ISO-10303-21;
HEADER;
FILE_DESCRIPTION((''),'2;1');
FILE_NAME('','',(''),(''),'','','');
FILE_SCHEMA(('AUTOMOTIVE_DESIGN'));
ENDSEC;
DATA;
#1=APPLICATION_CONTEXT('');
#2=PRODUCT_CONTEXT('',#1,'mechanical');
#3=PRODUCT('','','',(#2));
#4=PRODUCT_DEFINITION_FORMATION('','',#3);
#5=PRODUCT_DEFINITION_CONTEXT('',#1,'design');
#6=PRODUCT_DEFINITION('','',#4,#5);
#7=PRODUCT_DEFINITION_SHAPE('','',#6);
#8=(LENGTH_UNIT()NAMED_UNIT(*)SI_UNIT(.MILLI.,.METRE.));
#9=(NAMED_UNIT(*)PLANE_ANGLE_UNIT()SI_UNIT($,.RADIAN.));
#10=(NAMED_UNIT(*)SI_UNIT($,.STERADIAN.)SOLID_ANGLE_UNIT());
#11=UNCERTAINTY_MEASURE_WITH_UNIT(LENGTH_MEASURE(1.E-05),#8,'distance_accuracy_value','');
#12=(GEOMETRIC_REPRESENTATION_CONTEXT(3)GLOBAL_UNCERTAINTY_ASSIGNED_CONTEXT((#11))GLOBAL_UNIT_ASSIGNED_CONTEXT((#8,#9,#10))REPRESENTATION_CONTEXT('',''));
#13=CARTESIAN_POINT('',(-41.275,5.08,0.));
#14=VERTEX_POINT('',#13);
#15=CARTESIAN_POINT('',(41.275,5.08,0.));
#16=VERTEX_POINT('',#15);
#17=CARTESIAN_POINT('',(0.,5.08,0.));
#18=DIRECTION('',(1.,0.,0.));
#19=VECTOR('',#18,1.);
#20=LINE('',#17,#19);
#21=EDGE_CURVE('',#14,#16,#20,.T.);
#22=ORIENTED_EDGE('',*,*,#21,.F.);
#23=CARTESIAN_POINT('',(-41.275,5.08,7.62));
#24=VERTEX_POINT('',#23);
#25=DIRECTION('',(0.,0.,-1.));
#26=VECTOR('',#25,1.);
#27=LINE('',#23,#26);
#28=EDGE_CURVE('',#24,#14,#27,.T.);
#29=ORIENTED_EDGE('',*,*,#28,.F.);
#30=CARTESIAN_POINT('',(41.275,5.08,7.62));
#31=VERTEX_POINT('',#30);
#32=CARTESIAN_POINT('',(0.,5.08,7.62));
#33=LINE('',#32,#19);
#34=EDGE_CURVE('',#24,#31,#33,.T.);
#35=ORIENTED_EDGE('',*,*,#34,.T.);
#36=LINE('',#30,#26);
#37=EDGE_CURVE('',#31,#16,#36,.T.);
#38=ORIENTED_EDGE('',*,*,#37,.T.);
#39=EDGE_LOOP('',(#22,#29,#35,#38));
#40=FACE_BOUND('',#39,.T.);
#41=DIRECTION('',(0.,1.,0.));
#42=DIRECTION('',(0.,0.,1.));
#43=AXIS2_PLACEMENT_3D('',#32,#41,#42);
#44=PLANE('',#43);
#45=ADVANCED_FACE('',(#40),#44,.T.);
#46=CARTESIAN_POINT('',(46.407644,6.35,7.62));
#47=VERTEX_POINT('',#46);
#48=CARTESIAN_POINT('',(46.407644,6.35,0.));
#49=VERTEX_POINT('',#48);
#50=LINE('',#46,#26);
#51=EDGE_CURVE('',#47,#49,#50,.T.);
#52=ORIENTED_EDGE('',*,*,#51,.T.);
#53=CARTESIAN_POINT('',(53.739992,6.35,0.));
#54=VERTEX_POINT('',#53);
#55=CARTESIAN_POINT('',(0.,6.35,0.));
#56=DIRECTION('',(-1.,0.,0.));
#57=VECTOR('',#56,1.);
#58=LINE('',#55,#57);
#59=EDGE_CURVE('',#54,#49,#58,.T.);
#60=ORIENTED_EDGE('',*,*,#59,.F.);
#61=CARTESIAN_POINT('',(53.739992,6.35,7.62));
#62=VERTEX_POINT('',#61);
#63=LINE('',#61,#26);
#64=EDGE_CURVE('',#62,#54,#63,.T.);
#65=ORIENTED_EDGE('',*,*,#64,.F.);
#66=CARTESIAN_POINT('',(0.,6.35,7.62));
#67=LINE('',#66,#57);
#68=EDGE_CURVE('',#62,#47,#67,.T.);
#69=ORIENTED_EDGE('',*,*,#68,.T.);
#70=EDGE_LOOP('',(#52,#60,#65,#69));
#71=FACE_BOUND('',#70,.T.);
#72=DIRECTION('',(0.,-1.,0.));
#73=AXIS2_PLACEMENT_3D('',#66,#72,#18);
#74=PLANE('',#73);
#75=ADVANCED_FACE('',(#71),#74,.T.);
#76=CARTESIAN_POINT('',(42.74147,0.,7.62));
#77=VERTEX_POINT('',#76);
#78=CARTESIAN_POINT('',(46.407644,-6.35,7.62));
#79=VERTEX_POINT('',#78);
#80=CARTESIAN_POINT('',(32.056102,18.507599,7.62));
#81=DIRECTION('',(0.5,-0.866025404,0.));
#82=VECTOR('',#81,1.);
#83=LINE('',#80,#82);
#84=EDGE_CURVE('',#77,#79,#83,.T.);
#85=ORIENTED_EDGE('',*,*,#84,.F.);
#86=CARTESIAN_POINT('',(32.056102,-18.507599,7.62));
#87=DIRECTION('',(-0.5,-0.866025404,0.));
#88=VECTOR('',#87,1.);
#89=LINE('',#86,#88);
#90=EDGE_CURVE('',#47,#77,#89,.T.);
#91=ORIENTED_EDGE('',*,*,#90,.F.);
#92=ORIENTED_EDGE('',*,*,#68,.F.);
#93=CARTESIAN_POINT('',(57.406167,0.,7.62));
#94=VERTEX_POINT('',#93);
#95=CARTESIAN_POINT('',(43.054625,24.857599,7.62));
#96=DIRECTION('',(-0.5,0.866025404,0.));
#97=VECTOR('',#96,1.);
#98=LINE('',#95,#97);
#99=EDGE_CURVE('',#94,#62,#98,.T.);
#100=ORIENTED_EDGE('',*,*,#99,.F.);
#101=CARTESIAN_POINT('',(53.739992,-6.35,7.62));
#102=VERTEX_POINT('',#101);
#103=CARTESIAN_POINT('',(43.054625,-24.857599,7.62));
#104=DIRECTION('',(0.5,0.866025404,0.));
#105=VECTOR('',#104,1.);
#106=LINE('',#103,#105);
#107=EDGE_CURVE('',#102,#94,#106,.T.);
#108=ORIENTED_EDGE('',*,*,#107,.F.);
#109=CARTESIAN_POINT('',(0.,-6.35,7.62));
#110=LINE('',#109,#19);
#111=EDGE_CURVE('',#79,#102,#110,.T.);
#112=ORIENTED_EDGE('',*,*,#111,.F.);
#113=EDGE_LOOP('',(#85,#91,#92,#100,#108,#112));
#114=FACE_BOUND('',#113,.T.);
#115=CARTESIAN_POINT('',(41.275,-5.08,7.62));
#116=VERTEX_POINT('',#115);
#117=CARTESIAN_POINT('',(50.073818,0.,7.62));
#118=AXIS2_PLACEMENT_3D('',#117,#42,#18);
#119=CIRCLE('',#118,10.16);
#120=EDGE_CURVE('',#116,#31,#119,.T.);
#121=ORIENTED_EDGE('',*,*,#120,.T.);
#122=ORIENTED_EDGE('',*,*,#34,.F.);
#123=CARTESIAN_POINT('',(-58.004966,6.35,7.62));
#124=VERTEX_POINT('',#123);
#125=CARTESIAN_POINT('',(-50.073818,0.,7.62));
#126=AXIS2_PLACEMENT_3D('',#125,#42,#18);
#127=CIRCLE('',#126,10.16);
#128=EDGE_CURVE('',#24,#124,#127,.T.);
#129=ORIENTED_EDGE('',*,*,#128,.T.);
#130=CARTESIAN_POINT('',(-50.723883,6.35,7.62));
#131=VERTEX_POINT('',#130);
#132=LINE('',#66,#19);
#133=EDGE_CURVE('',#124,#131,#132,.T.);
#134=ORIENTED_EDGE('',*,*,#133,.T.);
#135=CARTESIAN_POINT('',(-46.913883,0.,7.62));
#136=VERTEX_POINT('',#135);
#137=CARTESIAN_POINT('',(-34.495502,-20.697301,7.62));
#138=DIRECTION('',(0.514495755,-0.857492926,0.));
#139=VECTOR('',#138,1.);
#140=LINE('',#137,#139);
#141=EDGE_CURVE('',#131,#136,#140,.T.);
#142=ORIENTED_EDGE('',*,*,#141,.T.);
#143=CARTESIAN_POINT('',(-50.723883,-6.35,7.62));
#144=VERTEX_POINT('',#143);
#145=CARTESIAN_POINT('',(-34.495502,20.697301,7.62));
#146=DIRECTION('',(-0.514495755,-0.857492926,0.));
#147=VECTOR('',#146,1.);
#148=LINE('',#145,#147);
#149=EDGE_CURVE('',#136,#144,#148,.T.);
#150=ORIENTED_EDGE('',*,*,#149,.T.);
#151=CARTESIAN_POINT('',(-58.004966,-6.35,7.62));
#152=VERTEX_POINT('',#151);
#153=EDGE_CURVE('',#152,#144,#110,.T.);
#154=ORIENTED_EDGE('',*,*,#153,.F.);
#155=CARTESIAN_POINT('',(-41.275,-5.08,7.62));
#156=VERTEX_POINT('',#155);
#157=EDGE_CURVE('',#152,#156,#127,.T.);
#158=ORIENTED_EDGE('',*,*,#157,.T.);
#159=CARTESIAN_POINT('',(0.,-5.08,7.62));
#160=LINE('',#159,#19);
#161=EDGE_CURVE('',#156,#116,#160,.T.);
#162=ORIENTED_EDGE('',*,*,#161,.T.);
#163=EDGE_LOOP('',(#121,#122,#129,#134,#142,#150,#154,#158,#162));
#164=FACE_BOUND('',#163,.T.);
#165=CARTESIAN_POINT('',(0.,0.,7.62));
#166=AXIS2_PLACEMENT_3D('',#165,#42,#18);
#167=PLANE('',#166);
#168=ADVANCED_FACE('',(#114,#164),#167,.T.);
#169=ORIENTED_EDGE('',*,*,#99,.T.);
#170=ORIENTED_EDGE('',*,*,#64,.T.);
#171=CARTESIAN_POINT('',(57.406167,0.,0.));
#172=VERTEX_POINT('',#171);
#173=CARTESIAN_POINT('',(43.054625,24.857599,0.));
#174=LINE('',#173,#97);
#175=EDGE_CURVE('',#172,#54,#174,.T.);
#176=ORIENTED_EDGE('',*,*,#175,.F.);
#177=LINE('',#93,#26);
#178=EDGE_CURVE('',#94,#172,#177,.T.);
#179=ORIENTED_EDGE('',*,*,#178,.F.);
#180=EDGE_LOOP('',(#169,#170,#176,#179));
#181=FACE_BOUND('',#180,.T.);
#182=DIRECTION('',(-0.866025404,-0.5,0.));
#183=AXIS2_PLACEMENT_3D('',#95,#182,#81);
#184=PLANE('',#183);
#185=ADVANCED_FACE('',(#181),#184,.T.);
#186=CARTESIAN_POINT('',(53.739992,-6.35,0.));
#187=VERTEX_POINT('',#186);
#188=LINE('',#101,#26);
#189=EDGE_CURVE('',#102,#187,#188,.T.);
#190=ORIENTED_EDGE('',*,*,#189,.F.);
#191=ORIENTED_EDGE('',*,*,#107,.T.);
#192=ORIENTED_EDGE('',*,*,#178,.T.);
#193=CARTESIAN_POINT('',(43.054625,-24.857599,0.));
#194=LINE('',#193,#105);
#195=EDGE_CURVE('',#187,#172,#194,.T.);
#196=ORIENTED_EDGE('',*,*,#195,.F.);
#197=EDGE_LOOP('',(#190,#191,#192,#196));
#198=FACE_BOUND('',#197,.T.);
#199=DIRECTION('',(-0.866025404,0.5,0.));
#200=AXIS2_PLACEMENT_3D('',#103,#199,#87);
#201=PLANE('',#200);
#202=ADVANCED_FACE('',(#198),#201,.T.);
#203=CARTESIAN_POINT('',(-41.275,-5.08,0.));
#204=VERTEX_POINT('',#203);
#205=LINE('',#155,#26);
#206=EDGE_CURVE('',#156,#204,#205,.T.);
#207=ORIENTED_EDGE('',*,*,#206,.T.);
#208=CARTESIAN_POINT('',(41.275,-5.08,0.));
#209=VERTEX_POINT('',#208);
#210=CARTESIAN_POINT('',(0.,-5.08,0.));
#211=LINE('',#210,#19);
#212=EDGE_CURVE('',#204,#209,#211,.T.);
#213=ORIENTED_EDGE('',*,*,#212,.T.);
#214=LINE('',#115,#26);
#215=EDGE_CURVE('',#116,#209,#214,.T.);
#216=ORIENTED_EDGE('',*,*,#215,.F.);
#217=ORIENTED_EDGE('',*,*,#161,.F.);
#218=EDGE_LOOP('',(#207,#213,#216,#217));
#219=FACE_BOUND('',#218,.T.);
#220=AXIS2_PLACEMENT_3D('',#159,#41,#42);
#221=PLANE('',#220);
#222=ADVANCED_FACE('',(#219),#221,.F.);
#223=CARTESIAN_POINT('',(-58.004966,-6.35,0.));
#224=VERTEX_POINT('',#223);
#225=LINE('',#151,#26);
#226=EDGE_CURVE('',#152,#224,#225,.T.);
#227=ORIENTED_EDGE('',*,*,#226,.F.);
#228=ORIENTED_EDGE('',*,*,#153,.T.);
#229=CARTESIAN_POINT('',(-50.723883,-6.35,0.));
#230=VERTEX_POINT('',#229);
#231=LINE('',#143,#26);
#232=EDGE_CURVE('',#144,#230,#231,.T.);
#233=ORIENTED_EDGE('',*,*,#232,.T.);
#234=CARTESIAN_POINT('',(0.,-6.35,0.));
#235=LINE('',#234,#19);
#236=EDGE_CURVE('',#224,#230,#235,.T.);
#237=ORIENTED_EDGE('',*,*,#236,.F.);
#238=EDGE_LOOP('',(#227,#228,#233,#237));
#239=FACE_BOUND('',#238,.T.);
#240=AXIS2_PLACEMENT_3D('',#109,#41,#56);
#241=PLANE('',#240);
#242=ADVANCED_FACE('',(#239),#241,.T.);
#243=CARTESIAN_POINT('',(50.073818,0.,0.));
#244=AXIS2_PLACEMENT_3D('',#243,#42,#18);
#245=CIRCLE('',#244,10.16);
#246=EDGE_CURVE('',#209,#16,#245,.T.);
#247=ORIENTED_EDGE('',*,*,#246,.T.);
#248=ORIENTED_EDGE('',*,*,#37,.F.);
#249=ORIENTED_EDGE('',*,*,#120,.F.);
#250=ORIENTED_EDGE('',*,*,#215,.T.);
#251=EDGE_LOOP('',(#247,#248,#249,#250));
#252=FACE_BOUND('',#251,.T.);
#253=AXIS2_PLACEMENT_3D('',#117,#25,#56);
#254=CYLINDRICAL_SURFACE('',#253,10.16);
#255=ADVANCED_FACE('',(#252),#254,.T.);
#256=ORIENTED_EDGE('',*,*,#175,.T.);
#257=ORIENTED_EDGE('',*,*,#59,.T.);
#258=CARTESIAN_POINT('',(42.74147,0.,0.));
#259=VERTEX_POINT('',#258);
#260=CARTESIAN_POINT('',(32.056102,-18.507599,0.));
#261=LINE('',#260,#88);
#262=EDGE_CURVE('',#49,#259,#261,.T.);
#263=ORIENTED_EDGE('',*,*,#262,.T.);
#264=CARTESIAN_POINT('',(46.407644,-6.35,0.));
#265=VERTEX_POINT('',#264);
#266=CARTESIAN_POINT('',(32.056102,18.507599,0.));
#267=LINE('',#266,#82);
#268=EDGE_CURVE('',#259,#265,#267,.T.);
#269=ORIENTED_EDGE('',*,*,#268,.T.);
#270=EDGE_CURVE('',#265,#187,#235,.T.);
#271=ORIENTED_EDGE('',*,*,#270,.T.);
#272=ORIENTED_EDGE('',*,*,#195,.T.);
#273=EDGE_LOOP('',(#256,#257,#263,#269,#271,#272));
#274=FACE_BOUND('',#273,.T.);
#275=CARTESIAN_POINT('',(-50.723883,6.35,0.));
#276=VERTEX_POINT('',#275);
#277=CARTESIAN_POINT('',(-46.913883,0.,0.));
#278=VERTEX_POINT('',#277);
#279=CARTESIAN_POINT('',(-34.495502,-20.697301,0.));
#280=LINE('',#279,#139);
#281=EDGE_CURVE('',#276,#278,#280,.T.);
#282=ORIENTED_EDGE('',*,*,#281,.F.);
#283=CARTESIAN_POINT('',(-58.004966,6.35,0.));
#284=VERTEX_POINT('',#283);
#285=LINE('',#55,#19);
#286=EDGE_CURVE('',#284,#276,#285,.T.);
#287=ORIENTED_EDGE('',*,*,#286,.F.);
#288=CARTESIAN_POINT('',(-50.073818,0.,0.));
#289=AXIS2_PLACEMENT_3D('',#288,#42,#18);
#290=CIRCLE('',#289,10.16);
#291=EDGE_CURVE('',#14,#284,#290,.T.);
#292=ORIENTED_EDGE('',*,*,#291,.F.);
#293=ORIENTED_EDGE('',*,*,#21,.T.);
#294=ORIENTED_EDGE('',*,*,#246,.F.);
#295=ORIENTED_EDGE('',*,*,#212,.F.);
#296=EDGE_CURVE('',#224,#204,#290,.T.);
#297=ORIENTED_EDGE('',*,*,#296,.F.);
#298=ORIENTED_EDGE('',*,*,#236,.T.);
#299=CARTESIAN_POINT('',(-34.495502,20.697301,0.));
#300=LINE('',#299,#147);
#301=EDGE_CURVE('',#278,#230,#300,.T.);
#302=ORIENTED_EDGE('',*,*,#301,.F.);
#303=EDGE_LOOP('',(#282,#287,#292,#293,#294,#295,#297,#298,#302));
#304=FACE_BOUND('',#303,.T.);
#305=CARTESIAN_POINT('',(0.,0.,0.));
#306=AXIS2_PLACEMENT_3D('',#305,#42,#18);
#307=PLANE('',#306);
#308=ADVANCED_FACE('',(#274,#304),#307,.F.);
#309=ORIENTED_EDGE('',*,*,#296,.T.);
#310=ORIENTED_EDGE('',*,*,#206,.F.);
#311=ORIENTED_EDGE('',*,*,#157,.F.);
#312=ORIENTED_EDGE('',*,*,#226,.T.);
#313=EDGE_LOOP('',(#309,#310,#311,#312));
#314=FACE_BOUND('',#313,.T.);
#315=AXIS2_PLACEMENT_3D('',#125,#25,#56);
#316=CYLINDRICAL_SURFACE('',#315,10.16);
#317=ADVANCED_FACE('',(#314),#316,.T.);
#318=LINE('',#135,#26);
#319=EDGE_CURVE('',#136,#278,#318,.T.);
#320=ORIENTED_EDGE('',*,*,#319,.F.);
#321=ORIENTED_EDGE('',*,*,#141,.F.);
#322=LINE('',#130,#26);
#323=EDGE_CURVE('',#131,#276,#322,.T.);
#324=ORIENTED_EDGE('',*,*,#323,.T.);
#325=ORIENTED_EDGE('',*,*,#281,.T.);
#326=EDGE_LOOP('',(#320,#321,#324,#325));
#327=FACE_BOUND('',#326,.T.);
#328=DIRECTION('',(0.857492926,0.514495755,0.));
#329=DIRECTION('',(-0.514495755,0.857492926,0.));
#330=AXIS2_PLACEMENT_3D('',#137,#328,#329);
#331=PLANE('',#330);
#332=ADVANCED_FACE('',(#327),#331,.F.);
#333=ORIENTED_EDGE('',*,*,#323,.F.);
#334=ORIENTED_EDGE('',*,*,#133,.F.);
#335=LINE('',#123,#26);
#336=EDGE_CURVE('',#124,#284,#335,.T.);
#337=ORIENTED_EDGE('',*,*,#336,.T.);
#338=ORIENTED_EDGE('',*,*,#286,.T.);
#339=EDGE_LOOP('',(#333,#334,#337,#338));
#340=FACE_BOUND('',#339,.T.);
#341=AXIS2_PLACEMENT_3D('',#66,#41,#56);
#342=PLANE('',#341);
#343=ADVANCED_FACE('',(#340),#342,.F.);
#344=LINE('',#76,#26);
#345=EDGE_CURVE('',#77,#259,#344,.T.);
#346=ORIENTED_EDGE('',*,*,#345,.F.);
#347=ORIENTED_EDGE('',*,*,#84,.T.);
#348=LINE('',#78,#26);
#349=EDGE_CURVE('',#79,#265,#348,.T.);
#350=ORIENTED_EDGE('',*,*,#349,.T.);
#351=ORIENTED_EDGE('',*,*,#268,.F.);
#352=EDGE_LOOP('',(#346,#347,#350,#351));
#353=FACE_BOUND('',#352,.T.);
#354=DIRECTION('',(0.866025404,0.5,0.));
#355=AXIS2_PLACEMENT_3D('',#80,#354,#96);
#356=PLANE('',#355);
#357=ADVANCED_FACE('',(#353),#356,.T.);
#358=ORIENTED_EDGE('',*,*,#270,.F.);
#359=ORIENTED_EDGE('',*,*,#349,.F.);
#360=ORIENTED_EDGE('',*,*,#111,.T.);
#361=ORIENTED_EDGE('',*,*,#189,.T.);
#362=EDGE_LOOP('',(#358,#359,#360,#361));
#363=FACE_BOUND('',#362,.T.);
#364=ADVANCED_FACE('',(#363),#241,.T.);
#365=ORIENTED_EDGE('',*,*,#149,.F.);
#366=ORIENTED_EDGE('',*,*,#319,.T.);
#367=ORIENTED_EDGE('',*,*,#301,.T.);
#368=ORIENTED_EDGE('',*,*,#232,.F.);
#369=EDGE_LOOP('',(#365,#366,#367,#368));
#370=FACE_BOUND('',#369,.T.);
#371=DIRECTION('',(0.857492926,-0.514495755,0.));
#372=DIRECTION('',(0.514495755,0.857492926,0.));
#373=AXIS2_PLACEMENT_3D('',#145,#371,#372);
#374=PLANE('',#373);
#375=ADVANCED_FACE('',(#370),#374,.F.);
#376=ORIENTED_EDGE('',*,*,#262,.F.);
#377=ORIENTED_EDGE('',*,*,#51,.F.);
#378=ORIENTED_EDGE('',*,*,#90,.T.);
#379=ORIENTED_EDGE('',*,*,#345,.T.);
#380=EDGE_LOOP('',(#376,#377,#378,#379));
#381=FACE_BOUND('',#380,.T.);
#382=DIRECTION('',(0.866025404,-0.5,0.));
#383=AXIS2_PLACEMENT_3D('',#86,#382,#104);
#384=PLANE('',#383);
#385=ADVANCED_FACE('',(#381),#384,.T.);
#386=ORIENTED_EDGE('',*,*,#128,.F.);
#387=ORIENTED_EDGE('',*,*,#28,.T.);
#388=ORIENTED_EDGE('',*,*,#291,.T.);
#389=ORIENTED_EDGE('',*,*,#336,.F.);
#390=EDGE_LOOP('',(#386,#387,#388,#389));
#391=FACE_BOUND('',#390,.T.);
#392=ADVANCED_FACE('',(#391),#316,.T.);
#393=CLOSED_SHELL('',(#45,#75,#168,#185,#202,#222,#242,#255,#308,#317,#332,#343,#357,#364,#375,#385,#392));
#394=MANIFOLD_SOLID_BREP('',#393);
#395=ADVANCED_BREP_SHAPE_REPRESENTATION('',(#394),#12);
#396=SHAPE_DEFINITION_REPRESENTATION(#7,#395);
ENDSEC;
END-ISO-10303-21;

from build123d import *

# Parameters (mm, degrees)
BOSS_EXTRUDE1_DEPTH = 7.62


with BuildPart() as part:
    # Sketch1 → Boss-Extrude1 (new body)
    with BuildSketch(Plane.XY):
        with BuildLine():
            Line((-58.00496556, 6.35), (-50.723882736, 6.35))
            Line((-50.723882736, 6.35), (-46.913882736, 0))
            Line((-46.913882736, 0), (-50.723882736, -6.35))
            Line((-50.723882736, -6.35), (-58.00496556, -6.35))
            ThreePointArc((-58.00496556, -6.35), (-49.304767983, -10.130851984), (-41.275, -5.08))
            Line((-41.275, -5.08), (41.275, -5.08))
            ThreePointArc((41.275, -5.08), (60.233818102, 0), (41.275, 5.08))
            Line((41.275, 5.08), (-41.275, 5.08))
            ThreePointArc((-41.275, 5.08), (-49.304767983, 10.130851984), (-58.00496556, 6.35))
        make_face()
        Polygon((57.406166521, 0), (53.739992312, 6.35), (46.407643893, 6.35), (42.741469684, 0), (46.407643893, -6.35), (53.739992312, -6.35), align=None, mode=Mode.SUBTRACT)
    extrude(amount=BOSS_EXTRUDE1_DEPTH)


solid = part.part
